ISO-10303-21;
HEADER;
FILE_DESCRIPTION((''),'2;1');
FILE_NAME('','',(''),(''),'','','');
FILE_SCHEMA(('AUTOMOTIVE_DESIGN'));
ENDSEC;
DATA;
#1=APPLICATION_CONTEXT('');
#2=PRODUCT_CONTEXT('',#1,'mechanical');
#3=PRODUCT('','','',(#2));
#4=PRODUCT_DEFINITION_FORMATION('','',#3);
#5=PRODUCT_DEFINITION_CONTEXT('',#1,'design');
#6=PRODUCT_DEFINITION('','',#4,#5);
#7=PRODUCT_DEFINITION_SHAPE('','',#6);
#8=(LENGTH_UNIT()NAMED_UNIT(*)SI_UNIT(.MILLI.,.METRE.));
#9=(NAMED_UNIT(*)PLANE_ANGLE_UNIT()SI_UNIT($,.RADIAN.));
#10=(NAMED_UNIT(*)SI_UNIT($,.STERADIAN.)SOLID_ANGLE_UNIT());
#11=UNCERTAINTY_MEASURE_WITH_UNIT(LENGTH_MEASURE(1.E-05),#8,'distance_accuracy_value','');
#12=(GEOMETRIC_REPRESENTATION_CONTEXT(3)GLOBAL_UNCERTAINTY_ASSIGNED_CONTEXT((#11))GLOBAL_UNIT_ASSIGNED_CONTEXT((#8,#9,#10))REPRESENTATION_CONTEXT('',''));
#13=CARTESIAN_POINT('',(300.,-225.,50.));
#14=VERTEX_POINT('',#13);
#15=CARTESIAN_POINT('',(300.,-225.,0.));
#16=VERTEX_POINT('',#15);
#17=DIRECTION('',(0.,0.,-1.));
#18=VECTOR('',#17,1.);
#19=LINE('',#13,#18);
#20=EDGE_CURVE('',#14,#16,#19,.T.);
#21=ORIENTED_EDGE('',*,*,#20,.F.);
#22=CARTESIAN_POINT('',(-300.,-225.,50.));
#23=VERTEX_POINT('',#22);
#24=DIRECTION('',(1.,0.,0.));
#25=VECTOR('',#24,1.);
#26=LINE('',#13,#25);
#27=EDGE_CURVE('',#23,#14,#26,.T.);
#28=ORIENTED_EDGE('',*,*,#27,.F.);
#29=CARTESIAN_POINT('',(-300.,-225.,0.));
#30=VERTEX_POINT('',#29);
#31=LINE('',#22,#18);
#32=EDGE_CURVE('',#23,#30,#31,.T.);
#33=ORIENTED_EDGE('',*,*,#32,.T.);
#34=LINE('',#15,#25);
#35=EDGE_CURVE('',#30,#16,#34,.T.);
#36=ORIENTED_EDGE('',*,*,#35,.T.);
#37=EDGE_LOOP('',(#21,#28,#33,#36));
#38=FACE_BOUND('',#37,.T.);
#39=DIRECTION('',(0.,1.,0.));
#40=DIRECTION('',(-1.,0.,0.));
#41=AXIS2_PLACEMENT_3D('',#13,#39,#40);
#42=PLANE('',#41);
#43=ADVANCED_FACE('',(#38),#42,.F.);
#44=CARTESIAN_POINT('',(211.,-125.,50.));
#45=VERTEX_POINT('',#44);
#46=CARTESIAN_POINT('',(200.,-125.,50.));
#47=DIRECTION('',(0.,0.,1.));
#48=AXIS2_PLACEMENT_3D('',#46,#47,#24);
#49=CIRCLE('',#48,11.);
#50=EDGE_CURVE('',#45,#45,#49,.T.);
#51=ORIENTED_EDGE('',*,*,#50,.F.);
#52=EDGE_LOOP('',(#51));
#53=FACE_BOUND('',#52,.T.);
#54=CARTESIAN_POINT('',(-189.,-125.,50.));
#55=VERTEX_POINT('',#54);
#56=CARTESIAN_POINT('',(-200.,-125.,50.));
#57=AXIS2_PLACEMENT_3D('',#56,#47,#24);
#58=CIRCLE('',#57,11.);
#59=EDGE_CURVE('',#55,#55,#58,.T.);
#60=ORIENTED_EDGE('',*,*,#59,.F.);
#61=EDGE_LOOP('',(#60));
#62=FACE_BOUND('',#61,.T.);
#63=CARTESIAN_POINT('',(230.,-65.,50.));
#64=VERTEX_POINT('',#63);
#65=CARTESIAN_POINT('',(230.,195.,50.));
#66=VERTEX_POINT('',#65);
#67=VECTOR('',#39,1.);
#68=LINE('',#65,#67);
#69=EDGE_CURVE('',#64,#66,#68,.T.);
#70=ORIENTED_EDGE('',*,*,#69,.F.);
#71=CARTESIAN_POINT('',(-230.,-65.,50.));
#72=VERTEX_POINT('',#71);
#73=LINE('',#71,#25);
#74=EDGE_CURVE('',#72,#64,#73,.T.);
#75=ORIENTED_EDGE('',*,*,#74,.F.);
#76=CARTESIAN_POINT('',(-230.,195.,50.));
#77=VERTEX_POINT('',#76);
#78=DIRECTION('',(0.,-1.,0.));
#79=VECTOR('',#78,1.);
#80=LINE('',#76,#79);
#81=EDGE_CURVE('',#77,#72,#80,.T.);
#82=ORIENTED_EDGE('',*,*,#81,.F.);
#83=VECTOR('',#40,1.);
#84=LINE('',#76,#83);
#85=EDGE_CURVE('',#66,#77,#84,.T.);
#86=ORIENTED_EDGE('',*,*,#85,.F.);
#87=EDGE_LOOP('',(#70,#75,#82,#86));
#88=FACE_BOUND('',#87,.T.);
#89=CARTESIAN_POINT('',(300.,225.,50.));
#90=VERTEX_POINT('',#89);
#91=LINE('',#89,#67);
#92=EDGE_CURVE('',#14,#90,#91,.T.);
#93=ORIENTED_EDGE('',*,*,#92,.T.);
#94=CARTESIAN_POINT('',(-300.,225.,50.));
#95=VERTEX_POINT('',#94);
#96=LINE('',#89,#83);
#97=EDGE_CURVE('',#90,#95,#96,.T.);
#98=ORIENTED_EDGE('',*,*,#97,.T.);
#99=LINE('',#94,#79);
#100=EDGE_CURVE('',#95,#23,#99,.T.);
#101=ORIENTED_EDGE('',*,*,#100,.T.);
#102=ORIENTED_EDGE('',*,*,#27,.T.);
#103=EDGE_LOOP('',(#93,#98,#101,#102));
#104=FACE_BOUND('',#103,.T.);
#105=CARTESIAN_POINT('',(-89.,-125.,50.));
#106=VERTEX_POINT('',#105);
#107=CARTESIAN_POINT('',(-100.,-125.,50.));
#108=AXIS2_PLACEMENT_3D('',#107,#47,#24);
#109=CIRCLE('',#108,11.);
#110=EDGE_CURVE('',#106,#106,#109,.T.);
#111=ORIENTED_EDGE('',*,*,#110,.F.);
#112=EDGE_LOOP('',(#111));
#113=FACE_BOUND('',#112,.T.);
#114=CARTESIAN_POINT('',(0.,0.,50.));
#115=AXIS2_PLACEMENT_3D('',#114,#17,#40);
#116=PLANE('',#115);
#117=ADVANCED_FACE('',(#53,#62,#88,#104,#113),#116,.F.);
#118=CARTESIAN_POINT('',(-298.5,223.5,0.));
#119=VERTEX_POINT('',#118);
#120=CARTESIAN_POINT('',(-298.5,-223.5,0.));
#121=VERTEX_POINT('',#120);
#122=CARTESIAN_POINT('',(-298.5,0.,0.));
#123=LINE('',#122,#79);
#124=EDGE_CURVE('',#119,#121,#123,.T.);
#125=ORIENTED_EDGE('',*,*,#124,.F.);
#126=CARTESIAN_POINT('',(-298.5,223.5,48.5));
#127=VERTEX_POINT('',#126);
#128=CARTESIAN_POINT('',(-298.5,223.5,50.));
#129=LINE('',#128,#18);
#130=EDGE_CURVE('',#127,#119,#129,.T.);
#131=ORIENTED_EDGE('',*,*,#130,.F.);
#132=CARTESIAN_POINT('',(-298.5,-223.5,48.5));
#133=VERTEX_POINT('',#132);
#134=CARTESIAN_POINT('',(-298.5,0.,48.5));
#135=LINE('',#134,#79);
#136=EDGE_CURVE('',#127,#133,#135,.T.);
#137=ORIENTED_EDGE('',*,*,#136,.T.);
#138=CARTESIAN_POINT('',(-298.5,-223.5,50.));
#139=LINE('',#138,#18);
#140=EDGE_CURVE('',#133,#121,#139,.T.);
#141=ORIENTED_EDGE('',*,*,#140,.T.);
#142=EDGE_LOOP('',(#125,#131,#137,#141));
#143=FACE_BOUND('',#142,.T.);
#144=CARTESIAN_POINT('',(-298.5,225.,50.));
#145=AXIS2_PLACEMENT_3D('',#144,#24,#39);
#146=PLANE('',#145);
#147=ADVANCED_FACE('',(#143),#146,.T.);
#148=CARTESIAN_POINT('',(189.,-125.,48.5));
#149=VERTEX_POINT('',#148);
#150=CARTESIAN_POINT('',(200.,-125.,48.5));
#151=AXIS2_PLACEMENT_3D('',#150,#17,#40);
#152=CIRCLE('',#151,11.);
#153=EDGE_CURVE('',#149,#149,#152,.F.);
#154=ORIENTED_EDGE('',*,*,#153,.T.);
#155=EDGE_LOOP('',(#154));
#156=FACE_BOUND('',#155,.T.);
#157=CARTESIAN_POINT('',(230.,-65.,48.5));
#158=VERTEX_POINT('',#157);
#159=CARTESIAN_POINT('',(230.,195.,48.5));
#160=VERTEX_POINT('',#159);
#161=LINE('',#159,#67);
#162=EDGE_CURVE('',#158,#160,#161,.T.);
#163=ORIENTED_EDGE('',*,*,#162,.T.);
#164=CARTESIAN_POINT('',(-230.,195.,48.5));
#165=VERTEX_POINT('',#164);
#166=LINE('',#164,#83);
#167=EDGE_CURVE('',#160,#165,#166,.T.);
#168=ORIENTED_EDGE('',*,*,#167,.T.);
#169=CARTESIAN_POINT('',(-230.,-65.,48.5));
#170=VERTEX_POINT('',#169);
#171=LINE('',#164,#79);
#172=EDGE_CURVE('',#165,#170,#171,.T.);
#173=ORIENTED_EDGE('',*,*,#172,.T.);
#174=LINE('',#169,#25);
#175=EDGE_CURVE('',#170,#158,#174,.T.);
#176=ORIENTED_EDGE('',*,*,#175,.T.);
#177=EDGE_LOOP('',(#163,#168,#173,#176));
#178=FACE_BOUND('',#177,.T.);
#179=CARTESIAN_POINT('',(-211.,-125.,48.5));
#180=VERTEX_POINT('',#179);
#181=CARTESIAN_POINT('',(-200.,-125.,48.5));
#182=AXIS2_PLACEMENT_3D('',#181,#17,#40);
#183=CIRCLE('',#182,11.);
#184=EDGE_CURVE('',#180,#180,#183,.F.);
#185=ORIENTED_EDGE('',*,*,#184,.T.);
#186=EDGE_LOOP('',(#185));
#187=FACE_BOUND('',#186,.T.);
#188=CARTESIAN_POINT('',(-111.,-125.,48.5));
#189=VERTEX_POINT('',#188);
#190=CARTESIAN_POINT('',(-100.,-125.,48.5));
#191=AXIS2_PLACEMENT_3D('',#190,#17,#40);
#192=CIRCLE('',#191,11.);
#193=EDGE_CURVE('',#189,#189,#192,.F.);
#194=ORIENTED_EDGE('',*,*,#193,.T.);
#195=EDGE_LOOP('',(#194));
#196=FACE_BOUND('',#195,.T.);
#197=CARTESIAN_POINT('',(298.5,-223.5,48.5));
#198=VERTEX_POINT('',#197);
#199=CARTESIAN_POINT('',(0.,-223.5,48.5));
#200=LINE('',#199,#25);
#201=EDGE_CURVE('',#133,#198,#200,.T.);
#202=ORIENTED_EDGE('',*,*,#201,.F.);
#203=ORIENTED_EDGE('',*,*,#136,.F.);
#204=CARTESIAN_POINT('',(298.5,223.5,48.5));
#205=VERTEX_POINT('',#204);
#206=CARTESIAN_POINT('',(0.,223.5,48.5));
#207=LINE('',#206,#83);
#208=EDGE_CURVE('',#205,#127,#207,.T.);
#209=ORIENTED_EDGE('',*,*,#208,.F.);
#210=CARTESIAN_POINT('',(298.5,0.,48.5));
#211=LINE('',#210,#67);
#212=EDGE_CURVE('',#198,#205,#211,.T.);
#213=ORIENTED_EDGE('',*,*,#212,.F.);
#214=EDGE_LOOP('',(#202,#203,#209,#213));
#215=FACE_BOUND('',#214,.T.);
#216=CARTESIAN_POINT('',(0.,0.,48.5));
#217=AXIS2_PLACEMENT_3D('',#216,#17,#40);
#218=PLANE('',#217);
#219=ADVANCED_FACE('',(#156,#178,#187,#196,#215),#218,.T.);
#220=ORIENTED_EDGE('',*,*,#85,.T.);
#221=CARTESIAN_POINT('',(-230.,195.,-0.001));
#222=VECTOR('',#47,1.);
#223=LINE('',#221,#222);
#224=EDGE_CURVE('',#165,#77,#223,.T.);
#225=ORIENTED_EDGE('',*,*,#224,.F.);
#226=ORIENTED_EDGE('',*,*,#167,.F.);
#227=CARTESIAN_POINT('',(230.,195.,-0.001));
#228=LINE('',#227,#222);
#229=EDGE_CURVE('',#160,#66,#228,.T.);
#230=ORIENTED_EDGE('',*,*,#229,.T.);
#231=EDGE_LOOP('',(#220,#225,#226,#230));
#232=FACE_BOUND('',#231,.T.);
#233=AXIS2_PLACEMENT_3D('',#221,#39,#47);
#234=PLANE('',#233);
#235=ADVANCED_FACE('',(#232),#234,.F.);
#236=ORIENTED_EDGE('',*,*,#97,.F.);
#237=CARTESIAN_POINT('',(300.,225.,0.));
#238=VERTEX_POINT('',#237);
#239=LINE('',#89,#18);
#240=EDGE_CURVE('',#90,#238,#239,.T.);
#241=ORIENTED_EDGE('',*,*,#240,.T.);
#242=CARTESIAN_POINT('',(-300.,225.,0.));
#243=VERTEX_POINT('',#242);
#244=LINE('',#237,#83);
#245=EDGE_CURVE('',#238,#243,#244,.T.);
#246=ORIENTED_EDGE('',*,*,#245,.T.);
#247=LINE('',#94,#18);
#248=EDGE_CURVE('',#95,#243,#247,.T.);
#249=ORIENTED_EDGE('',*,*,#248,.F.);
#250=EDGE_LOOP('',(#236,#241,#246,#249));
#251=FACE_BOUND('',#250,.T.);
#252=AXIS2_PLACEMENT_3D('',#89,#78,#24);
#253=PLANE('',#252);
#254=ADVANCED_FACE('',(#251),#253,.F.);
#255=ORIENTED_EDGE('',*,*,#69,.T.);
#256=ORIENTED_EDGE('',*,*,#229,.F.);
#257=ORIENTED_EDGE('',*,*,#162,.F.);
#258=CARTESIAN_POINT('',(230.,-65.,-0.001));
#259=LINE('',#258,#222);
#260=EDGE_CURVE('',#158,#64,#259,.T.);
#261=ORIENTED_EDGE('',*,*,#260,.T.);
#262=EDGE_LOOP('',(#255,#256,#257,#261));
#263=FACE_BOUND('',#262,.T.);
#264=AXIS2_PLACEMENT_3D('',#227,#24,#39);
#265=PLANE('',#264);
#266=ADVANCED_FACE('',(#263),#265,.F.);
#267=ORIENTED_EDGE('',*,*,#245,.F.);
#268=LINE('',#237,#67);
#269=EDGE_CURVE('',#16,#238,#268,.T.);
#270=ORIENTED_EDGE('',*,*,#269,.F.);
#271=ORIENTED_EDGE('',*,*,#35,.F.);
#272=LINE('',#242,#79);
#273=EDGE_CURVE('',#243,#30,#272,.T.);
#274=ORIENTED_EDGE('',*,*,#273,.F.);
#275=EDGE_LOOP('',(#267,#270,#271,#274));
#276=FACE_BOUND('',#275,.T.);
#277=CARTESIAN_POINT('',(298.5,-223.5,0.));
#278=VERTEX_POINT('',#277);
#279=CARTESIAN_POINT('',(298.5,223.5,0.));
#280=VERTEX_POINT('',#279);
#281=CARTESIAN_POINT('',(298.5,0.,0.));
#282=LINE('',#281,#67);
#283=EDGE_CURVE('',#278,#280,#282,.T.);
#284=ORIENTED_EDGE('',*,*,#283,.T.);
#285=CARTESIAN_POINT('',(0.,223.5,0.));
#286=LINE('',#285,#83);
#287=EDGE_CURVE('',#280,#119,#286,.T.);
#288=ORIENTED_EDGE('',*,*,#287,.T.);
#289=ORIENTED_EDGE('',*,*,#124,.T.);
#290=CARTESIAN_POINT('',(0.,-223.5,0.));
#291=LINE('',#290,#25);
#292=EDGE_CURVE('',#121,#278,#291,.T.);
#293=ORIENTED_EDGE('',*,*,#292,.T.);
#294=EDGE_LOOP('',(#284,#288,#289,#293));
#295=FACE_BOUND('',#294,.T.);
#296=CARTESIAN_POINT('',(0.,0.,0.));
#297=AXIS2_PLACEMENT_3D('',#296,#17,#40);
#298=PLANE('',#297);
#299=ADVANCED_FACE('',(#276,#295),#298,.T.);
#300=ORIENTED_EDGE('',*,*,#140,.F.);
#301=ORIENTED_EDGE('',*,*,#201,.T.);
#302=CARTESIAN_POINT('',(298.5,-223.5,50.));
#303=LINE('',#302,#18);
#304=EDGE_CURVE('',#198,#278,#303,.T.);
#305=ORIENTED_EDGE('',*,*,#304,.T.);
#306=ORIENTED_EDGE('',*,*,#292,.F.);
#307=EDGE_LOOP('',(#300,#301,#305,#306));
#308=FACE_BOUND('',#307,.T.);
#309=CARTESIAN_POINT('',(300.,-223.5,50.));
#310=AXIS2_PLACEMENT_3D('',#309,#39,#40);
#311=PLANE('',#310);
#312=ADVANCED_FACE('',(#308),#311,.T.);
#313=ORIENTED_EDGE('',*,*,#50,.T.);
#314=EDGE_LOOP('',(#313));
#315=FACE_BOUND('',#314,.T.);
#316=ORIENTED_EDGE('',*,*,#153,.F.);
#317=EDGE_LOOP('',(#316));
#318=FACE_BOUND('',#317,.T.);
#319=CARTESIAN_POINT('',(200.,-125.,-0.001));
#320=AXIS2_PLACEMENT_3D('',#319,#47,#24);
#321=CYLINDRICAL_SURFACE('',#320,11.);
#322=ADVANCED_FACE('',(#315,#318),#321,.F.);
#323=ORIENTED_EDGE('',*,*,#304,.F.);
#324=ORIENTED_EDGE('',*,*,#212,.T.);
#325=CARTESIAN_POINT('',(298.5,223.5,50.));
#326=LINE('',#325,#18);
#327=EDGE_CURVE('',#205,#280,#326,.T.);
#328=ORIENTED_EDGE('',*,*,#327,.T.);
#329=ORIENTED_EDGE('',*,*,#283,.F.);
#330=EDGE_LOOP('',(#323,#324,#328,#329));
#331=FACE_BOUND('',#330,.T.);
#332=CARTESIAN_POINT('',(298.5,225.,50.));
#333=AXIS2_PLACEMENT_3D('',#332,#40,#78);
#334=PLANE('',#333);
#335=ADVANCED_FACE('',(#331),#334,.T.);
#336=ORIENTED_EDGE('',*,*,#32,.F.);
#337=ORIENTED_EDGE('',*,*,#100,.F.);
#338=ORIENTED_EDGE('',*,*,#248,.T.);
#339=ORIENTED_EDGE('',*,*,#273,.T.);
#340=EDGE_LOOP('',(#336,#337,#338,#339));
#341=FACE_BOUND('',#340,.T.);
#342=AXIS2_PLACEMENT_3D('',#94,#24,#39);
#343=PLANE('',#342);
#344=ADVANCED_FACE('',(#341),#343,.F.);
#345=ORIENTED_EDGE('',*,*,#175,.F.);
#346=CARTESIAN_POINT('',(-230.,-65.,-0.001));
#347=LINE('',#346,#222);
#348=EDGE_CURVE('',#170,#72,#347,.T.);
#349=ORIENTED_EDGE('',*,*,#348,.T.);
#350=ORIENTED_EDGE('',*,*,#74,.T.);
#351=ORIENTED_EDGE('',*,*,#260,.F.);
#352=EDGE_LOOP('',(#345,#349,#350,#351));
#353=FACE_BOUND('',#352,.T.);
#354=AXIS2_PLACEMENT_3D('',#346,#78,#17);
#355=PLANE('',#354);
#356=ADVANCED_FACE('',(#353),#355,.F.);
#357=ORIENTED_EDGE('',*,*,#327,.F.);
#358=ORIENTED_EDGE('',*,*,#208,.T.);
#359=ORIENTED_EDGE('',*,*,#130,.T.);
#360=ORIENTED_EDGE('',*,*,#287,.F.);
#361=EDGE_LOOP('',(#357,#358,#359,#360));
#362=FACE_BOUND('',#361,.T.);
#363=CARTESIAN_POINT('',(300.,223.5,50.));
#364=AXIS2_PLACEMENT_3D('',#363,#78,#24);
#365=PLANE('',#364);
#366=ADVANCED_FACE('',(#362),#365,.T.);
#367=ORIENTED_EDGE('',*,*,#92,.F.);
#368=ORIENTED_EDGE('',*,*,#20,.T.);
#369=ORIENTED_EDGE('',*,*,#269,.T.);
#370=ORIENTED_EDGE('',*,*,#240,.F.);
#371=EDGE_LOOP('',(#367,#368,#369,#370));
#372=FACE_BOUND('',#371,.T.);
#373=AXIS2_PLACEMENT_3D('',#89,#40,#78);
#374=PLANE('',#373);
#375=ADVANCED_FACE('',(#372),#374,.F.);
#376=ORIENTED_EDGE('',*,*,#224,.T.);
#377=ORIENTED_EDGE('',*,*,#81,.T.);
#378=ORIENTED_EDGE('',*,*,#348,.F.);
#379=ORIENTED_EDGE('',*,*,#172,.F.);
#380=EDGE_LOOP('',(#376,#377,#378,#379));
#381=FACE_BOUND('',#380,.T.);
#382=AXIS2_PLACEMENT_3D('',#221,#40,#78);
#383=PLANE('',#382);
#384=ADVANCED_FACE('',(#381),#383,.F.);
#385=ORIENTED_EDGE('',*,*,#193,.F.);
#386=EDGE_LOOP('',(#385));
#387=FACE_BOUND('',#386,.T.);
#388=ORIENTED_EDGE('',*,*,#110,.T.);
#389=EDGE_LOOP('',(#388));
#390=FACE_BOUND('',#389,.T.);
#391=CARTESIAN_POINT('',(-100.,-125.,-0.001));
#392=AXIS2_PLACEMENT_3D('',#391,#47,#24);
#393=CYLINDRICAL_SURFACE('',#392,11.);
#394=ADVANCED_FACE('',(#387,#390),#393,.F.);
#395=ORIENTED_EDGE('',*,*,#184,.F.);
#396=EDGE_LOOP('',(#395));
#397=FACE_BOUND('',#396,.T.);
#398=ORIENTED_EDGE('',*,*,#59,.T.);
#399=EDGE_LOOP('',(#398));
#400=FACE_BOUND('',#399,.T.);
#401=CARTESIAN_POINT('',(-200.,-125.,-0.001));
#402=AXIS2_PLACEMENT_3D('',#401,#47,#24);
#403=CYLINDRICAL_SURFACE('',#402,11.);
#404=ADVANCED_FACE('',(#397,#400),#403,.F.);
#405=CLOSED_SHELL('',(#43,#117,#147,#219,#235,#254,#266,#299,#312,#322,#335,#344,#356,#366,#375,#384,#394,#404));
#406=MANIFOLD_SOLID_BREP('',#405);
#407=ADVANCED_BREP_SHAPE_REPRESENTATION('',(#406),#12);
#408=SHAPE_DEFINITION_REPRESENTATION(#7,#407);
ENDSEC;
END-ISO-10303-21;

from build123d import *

# Parameters (mm, degrees)
SKETCH1_W           = 600
SKETCH1_H           = 450
BOSS_EXTRUDE1_DEPTH = 50
SHELL1_T            = -1.5
CUT_EXTRUDE1_REACH  = 52
SKETCH3_W           = 460
SKETCH3_H           = 260
CUT_EXTRUDE2_REACH  = 52
SKETCH4_R           = 11


with BuildPart() as part:
    # Sketch1 → Boss-Extrude1 (new body)
    with BuildSketch(Plane.XY):
        Rectangle(SKETCH1_W, SKETCH1_H)
    extrude(amount=BOSS_EXTRUDE1_DEPTH)

    # Shell1
    shell1_openings = [part.faces().sort_by_distance(p)[0] for p in [
        (0, 0, 0),
    ]]
    offset(amount=SHELL1_T, openings=shell1_openings, kind=Kind.INTERSECTION)

    # Sketch3 → Cut-Extrude1 (cut, up to next)
    with BuildSketch(Plane.XY.offset(50), mode=Mode.PRIVATE) as cut_extrude1_sk1:
        with Locations((0, 65)):
            Rectangle(SKETCH3_W, SKETCH3_H)
    cut_extrude1_tool1 = extrude(cut_extrude1_sk1.sketch, amount=-CUT_EXTRUDE1_REACH, mode=Mode.PRIVATE) & part.part
    add(cut_extrude1_tool1.solids().sort_by_distance((0, 65, 50))[0], mode=Mode.SUBTRACT)

    # Sketch4 → Cut-Extrude2 (cut, up to next)
    with BuildSketch(Plane.XY.offset(50), mode=Mode.PRIVATE) as cut_extrude2_sk1:
        with Locations((-200, -125)):
            Circle(SKETCH4_R)
    cut_extrude2_tool1 = extrude(cut_extrude2_sk1.sketch, amount=-CUT_EXTRUDE2_REACH, mode=Mode.PRIVATE) & part.part
    add(cut_extrude2_tool1.solids().sort_by_distance((-200, -125, 50))[0], mode=Mode.SUBTRACT)
    # Sketch4 → Cut-Extrude2 (cut, up to next)
    with BuildSketch(Plane.XY.offset(50), mode=Mode.PRIVATE) as cut_extrude2_sk2:
        with Locations((200, -125)):
            Circle(SKETCH4_R)
    cut_extrude2_tool2 = extrude(cut_extrude2_sk2.sketch, amount=-CUT_EXTRUDE2_REACH, mode=Mode.PRIVATE) & part.part
    add(cut_extrude2_tool2.solids().sort_by_distance((200, -125, 50))[0], mode=Mode.SUBTRACT)
    # Sketch4 → Cut-Extrude2 (cut, up to next)
    with BuildSketch(Plane.XY.offset(50), mode=Mode.PRIVATE) as cut_extrude2_sk3:
        with Locations((-100, -125)):
            Circle(SKETCH4_R)
    cut_extrude2_tool3 = extrude(cut_extrude2_sk3.sketch, amount=-CUT_EXTRUDE2_REACH, mode=Mode.PRIVATE) & part.part
    add(cut_extrude2_tool3.solids().sort_by_distance((-100, -125, 50))[0], mode=Mode.SUBTRACT)


solid = part.part
